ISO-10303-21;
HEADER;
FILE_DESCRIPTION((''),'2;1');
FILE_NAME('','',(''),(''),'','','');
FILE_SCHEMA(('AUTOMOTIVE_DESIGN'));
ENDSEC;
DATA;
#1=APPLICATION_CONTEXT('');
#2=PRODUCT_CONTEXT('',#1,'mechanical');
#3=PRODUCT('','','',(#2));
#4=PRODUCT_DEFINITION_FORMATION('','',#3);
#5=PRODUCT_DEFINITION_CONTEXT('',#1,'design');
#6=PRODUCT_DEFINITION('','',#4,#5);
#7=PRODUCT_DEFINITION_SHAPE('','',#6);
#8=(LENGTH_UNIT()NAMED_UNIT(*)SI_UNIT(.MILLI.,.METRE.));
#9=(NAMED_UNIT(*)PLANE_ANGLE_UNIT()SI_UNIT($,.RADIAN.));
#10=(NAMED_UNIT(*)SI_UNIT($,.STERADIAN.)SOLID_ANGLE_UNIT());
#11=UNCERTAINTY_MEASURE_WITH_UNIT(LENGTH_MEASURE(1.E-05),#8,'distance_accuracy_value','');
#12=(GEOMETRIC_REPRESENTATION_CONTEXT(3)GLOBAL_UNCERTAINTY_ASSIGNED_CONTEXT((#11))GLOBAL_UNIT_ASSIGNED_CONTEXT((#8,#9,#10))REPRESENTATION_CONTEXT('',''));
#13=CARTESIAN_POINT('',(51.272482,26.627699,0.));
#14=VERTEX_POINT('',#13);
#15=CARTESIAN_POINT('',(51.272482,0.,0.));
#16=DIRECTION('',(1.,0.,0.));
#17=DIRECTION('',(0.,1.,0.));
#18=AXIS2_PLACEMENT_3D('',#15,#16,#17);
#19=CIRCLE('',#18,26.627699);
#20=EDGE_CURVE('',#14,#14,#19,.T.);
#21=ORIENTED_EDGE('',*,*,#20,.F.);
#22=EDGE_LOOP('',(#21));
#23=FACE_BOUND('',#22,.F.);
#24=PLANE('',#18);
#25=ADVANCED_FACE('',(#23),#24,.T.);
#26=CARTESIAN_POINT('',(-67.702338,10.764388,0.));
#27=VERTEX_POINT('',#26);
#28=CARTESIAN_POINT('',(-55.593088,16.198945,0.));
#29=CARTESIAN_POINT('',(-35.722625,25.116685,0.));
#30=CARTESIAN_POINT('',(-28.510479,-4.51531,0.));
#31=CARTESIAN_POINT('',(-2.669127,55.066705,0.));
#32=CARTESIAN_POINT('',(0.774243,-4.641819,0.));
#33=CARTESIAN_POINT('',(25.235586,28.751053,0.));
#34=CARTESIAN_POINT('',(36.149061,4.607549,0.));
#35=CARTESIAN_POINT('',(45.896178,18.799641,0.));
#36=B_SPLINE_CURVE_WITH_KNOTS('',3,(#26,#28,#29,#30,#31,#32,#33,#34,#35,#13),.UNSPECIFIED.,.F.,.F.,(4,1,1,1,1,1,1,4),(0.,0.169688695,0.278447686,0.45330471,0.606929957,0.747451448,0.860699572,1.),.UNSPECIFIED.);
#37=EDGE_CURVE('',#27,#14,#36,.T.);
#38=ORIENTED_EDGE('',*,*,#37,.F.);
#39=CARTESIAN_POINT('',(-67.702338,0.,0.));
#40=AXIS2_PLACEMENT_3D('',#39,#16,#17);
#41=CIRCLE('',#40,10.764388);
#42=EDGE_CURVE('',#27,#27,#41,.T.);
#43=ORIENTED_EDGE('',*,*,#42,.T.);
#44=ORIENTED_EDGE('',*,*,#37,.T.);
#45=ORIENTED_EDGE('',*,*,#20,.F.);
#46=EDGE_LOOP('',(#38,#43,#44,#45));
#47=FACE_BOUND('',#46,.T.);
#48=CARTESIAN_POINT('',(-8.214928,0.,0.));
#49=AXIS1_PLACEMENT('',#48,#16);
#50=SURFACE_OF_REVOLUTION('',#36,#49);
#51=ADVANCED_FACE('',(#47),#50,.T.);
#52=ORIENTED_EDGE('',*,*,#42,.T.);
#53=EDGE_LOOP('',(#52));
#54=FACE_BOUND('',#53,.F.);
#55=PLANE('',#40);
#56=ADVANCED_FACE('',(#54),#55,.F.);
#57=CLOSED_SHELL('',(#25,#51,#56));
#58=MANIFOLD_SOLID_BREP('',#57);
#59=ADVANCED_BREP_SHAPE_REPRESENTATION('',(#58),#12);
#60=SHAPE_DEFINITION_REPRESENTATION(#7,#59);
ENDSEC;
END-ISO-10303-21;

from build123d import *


with BuildPart() as f1:
    # F0 (on Top) → F1 (revolve)
    with BuildSketch(Plane.XY):
        with BuildLine():
            add(Edge.make_bspline(
                [(-67.7023380995, 10.7643883675), (-55.5930875339, 16.1989449672), (-35.7226253124, 25.1166852535), (-28.5104785282, -4.5153103954), (-2.6691274511, 55.0667052266), (0.7742426237, -4.6418191421), (25.2355861733, 28.7510525334), (36.1490608339, 4.6075486084), (45.8961783096, 18.799641392), (51.2724816799, 26.6276989132)],
                knots=[0, 0, 0, 0, 0.169688695, 0.2784476864, 0.4533047105, 0.6069299573, 0.7474514478, 0.8606995724, 1, 1, 1, 1], degree=3))
            Line((-67.7023380995, 10.7643883675), (-67.7023380995, 0))
            Line((-67.7023380995, 0), (51.2724816799, 0))
            Line((51.2724816799, 0), (51.2724816799, 26.6276989132))
        make_face()
    revolve(axis=Axis((-8.2149282098, 0, 0), (1, 0, 0)))


solid = f1.part
